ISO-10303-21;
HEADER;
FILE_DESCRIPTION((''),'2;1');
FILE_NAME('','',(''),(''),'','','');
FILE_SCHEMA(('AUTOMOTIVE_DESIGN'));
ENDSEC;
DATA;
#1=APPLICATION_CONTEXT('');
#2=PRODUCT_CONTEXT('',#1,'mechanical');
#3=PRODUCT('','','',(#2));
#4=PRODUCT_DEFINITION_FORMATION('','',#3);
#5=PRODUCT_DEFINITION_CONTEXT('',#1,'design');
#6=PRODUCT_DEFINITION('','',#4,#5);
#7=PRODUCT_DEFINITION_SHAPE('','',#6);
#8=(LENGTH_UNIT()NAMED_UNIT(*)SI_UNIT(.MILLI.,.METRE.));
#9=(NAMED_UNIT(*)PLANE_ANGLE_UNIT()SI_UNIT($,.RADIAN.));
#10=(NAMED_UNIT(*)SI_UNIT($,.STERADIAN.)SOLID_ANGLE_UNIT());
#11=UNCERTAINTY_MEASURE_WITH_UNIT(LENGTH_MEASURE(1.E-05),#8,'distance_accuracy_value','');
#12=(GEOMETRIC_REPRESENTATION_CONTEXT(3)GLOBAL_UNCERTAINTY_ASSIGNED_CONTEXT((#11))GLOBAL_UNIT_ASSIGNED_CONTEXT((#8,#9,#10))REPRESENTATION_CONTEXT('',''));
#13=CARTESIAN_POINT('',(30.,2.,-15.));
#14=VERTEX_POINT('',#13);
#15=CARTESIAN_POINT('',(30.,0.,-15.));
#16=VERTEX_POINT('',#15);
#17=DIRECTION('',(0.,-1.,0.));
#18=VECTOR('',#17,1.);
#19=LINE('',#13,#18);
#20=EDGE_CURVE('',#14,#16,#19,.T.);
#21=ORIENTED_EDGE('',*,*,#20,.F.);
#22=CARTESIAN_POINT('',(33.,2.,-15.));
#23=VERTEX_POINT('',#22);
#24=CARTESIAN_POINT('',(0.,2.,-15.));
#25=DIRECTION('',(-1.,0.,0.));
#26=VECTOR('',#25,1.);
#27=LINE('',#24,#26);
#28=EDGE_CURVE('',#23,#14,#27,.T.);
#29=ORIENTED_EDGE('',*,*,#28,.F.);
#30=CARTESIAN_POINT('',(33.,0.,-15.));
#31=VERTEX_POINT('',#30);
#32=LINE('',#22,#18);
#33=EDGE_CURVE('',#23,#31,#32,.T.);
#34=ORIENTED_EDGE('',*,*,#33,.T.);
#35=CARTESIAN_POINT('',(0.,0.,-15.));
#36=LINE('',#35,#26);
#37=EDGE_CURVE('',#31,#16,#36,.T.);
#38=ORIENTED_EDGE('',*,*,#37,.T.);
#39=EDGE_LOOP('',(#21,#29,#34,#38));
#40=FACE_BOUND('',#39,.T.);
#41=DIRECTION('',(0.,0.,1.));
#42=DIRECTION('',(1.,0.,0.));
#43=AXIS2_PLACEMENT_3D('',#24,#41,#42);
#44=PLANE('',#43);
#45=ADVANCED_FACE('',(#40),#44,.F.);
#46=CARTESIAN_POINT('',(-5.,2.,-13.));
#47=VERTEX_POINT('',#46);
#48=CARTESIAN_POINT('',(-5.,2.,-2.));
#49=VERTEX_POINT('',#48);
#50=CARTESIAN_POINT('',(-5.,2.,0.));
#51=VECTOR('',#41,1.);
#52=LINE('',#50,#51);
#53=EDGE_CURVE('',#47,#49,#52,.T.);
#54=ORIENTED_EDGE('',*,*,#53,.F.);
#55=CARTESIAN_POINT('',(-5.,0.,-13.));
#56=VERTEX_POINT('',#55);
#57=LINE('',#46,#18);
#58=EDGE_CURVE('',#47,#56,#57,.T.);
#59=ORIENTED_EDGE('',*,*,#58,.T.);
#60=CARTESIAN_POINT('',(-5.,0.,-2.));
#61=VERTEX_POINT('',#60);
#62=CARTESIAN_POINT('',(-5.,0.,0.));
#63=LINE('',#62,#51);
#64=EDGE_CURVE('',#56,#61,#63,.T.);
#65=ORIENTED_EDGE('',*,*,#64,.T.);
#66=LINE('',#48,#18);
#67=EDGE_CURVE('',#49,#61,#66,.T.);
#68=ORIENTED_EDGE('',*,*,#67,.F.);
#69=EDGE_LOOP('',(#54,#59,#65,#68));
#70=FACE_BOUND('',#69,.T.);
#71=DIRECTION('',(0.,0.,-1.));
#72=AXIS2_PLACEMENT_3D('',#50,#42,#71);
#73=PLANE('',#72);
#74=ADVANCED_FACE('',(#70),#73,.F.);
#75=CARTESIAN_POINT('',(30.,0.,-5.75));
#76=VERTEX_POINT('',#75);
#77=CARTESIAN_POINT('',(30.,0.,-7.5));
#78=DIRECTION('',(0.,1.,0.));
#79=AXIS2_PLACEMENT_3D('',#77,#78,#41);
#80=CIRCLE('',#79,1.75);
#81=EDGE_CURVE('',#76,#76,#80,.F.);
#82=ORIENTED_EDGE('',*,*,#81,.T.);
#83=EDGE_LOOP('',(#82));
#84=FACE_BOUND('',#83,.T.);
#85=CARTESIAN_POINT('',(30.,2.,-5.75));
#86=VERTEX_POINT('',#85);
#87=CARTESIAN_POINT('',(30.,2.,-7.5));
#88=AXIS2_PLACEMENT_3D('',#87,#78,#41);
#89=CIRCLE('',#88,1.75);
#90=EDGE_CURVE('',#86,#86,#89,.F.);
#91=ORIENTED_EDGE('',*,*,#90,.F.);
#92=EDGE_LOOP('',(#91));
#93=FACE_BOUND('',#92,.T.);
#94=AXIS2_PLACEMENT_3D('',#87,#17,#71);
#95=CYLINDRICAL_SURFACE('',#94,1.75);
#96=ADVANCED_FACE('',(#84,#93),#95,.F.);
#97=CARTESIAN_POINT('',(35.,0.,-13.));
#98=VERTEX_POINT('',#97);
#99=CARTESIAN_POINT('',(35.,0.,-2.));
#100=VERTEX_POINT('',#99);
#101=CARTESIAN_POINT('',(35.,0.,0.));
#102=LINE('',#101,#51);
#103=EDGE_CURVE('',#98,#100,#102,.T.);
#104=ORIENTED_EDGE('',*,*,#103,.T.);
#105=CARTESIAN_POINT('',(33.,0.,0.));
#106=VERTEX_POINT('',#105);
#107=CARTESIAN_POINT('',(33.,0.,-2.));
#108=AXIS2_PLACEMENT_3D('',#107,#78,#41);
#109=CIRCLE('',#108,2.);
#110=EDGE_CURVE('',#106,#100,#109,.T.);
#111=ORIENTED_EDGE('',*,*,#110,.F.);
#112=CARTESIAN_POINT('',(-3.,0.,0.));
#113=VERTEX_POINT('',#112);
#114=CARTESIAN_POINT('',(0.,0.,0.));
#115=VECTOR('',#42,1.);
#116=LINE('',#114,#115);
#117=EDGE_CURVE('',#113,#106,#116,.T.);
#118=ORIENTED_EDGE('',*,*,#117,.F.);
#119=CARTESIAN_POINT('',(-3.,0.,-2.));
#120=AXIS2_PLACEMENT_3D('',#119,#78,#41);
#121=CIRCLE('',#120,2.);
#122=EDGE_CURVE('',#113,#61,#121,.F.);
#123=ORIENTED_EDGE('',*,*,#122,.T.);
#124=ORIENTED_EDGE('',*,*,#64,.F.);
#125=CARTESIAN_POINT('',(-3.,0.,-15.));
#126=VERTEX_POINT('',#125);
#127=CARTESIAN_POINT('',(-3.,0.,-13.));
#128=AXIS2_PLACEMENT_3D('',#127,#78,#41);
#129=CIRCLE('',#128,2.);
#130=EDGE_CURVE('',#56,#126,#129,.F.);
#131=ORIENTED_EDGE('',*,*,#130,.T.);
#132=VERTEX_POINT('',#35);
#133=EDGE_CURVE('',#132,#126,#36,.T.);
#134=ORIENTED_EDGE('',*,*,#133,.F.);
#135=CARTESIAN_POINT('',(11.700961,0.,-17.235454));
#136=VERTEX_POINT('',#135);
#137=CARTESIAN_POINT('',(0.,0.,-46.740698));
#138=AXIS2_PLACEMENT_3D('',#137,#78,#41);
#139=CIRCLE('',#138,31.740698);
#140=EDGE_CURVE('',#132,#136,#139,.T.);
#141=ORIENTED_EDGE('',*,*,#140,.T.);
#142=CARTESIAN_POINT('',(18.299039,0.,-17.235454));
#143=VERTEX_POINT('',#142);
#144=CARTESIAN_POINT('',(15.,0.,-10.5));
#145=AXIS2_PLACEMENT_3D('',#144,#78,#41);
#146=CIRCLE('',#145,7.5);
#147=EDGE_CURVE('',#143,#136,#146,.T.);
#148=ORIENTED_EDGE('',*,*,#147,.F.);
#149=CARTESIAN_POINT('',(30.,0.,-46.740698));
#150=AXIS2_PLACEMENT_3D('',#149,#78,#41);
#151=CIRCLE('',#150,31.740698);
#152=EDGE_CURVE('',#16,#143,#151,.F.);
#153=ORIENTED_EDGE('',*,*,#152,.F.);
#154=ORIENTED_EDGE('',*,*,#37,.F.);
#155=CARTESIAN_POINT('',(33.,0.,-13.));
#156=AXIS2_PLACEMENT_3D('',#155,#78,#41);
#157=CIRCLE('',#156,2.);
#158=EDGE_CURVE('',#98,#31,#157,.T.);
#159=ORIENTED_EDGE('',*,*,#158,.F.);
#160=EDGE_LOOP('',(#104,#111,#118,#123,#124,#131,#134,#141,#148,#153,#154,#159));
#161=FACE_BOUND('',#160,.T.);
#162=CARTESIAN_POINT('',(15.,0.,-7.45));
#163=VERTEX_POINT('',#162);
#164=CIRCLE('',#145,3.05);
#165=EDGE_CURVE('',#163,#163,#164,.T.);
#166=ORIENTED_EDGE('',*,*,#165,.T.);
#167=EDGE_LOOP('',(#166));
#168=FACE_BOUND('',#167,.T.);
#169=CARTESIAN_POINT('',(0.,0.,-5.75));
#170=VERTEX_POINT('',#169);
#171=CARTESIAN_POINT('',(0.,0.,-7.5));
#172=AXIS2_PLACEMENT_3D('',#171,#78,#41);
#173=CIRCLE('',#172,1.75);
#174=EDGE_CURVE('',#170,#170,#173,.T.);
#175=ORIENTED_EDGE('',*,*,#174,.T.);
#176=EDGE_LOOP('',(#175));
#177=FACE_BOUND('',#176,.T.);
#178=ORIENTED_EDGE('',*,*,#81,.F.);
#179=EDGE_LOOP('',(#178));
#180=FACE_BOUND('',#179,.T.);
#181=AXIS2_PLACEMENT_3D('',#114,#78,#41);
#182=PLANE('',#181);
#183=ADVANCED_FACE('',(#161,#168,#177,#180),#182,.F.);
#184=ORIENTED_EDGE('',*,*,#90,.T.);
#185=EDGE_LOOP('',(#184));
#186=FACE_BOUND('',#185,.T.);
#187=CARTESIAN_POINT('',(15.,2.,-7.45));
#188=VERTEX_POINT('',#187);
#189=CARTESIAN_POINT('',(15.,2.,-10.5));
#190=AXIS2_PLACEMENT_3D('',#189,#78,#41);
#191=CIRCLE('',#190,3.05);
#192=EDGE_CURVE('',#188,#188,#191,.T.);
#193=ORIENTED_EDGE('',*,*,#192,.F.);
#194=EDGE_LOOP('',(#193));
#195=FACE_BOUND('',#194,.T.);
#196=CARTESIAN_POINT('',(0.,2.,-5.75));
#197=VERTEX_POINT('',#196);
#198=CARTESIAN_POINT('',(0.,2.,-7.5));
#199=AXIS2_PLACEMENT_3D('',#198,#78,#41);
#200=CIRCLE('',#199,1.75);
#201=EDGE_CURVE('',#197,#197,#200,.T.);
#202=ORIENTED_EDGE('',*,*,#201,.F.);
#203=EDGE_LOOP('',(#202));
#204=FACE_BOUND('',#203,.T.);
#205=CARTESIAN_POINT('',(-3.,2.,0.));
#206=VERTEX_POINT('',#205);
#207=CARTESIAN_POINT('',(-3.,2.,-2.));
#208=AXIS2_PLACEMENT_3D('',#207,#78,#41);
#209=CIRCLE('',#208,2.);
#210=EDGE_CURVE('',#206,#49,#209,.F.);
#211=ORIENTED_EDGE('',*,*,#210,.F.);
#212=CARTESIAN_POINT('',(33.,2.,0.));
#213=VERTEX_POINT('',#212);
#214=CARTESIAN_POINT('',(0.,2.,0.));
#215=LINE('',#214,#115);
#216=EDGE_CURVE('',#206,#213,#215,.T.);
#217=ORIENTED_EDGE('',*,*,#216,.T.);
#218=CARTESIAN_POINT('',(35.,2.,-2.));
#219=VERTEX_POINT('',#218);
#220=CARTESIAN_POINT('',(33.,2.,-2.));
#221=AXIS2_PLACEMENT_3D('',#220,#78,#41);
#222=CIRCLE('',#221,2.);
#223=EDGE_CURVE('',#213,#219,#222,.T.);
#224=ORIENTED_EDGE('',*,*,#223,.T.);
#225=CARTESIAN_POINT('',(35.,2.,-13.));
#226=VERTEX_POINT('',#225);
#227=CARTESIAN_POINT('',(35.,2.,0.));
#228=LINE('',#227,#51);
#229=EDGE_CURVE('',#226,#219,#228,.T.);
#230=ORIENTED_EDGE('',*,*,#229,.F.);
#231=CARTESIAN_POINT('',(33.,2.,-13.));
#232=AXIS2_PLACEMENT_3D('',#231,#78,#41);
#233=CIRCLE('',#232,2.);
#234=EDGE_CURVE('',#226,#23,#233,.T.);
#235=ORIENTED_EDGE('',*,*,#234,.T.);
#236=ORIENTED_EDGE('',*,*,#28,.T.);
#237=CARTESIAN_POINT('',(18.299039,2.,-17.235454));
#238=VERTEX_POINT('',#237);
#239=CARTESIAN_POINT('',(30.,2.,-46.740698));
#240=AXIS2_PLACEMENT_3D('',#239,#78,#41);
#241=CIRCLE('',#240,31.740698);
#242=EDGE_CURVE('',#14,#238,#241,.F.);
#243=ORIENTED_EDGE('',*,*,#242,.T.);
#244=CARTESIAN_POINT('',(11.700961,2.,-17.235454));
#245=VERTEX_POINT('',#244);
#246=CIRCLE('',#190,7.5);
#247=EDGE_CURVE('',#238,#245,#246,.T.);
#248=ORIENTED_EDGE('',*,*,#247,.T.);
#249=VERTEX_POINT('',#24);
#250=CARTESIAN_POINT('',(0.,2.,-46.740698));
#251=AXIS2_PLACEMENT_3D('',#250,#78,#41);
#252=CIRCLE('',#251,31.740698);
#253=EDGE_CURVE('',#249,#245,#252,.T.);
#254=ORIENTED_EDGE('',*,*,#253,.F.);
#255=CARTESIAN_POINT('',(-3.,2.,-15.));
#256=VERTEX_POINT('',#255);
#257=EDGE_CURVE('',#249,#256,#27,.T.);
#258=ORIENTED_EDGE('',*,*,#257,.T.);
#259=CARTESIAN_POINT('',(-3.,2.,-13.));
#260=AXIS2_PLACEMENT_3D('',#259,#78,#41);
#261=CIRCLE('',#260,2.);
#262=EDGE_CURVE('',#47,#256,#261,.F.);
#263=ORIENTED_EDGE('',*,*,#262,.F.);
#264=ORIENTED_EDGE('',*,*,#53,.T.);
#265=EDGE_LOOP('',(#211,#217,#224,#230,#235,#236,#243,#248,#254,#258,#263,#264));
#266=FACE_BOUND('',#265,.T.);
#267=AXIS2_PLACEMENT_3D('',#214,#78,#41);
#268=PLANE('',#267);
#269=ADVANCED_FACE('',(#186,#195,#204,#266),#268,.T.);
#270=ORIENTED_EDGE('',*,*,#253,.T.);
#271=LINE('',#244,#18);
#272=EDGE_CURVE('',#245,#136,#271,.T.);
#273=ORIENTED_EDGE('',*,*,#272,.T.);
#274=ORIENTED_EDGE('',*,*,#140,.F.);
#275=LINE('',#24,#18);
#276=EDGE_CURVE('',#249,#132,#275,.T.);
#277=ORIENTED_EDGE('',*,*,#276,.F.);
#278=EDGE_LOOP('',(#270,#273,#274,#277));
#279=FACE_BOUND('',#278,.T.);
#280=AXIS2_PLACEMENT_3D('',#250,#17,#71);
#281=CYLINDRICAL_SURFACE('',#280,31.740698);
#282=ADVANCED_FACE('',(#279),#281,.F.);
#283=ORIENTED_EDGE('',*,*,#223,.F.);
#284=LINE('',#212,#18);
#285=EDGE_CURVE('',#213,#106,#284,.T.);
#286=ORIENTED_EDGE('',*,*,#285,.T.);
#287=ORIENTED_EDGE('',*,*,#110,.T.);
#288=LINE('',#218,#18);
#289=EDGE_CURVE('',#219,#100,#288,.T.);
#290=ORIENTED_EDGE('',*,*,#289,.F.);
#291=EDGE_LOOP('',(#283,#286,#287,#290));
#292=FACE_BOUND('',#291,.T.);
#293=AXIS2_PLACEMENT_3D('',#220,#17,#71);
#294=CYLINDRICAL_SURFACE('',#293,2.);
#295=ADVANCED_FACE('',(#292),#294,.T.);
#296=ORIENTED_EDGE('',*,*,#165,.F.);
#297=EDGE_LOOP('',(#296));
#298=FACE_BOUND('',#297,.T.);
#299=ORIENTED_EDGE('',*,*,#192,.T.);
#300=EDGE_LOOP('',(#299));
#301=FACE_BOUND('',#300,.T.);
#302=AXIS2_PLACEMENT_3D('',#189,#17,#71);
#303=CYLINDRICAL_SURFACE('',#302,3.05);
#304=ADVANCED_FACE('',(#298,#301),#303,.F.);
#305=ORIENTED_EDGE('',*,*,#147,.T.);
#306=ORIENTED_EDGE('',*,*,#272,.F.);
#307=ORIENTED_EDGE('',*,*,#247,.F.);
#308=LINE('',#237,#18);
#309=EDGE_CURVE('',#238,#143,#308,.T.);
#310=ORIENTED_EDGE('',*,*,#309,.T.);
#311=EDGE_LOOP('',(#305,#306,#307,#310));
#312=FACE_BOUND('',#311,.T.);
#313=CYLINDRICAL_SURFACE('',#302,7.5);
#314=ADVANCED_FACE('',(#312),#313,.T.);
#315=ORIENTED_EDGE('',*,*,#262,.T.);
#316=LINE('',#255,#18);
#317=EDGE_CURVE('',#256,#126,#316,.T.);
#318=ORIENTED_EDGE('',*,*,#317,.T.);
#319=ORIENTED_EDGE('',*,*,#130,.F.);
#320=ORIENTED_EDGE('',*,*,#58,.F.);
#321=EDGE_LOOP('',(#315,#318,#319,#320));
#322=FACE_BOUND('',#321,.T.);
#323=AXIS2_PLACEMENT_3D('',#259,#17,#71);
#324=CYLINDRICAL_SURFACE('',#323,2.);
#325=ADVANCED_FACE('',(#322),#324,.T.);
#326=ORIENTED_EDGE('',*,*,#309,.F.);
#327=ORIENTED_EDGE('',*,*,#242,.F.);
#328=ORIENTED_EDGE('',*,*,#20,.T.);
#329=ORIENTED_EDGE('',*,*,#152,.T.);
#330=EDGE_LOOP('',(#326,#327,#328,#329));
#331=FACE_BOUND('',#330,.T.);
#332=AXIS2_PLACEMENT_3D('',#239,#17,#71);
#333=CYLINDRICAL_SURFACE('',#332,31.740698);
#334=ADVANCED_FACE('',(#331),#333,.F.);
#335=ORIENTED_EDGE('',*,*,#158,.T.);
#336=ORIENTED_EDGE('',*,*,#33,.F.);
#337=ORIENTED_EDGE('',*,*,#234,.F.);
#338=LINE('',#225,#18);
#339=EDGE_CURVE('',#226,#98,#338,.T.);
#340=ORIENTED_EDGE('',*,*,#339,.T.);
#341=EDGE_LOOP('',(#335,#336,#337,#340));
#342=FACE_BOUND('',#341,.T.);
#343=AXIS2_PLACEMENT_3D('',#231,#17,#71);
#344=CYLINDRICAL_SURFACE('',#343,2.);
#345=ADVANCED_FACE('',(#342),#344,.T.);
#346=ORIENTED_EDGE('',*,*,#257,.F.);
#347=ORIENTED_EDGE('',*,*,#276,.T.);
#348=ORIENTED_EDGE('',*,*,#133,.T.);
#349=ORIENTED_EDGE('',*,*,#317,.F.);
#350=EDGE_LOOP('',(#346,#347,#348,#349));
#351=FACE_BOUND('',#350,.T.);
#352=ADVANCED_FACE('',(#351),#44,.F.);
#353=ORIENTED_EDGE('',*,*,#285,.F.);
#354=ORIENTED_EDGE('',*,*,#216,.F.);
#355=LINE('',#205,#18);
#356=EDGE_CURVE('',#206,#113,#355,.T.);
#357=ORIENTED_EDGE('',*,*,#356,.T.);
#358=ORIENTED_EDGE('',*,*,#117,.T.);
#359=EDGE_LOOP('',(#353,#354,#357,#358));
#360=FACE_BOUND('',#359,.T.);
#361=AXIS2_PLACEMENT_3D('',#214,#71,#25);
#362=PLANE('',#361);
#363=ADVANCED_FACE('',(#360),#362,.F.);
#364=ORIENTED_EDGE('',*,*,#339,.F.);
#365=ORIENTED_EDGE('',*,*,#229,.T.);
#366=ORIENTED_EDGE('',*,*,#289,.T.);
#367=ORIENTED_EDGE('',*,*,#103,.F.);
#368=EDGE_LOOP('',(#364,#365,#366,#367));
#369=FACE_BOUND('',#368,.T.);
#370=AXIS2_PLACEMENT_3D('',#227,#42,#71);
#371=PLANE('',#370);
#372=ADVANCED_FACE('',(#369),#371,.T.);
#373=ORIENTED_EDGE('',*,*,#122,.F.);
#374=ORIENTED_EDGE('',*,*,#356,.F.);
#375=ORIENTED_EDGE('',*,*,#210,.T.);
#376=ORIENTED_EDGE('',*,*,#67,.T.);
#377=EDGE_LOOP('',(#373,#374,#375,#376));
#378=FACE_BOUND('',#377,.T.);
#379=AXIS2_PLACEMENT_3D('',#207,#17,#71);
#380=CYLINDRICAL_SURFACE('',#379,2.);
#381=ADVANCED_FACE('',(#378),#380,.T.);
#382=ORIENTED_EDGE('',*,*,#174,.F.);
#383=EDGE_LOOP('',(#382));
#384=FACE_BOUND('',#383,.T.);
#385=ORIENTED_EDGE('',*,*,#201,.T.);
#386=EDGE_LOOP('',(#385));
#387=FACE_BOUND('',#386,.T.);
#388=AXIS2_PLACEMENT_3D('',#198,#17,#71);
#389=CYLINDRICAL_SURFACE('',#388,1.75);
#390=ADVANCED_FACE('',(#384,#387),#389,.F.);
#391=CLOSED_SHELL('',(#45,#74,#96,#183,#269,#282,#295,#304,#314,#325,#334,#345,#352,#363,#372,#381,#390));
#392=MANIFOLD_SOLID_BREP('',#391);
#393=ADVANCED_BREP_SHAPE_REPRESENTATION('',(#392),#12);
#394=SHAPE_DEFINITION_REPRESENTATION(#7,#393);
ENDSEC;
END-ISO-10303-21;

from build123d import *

# Parameters (mm, degrees)
SKETCH_1_R      = 1.75
SKETCH_1_R_2    = 3.05
EXTRUDE_1_DEPTH = 2


with BuildPart() as part:
    # 草图1 → 凸台-拉伸1 (new body)
    with BuildSketch(Plane(origin=(0, 0, 0), x_dir=(1, 0, 0), z_dir=(0, 1, 0))):
        with BuildLine():
            ThreePointArc((11.700960917, 17.23545404), (5.956293754, 15.563872091), (0, 15))
            Line((0, 15), (-3, 15))
            ThreePointArc((-3, 15), (-4.414213562, 14.414213562), (-5, 13))
            Line((-5, 13), (-5, 2))
            ThreePointArc((-5, 2), (-4.414213562, 0.585786438), (-3, 0))
            Line((-3, 0), (33, 0))
            ThreePointArc((33, 0), (34.414213562, 0.585786438), (35, 2))
            Line((35, 2), (35, 13))
            ThreePointArc((35, 13), (34.414213562, 14.414213562), (33, 15))
            Line((33, 15), (30, 15))
            ThreePointArc((30, 15), (24.043706246, 15.563872091), (18.299039083, 17.23545404))
            ThreePointArc((18.299039083, 17.23545404), (15, 18), (11.700960917, 17.23545404))
        make_face()
        with Locations(Location((30, 7.5, 0), (0, 0, 270))):
            Circle(SKETCH_1_R, mode=Mode.SUBTRACT)
        with Locations(Location((0, 7.5, 0), (0, 0, 270))):
            Circle(SKETCH_1_R, mode=Mode.SUBTRACT)
        with Locations(Location((15, 10.5, 0), (0, 0, 270))):
            Circle(SKETCH_1_R_2, mode=Mode.SUBTRACT)
    extrude(amount=EXTRUDE_1_DEPTH)


solid = part.part
